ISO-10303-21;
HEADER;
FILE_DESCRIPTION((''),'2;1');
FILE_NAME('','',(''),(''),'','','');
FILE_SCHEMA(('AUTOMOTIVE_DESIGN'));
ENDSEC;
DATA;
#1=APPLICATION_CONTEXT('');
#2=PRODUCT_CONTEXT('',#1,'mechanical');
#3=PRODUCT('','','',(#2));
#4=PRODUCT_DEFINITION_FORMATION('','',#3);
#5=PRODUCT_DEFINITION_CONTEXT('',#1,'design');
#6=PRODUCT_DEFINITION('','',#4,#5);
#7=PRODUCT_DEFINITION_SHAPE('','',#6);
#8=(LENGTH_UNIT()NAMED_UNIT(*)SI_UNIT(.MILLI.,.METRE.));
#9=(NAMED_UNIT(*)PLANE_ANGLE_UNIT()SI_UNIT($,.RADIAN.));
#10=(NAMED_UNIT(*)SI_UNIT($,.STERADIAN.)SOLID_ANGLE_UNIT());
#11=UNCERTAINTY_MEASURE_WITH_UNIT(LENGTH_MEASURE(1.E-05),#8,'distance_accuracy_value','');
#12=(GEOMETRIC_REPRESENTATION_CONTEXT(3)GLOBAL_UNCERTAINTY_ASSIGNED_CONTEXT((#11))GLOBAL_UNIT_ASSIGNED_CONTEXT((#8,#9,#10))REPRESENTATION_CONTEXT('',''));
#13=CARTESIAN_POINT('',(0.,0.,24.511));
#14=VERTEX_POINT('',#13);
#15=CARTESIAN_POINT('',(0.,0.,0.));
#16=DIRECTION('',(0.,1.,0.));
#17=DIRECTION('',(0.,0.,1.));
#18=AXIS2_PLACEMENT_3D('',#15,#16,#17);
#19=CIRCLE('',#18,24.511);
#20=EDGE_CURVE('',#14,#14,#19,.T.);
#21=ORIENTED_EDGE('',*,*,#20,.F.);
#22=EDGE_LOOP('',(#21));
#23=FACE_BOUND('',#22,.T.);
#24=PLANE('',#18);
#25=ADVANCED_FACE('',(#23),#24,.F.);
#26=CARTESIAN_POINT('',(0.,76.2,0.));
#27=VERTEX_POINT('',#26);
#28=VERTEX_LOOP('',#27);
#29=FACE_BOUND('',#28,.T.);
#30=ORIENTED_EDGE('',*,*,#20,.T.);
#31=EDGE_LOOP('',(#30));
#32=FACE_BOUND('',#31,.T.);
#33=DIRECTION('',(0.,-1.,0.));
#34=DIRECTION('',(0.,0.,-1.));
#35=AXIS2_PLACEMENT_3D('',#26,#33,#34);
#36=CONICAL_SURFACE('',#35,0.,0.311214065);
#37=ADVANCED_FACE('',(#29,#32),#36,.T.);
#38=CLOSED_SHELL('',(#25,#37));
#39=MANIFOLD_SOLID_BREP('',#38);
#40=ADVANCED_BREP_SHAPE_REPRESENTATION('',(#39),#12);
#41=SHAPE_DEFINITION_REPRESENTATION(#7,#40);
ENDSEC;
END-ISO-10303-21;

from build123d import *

# Parameters (mm, degrees)
SKETCH1_R = 24.511


with BuildPart() as part:
    # Sketch1 → Loft2 section 0
    with BuildSketch(Plane(origin=(0, 0, 0), x_dir=(1, 0, 0), z_dir=(0, 1, 0)), mode=Mode.PRIVATE) as loft2_s0:
        Circle(SKETCH1_R)
    loft([loft2_s0.sketch, Vertex(0, 76.2, 0)])


solid = part.part
